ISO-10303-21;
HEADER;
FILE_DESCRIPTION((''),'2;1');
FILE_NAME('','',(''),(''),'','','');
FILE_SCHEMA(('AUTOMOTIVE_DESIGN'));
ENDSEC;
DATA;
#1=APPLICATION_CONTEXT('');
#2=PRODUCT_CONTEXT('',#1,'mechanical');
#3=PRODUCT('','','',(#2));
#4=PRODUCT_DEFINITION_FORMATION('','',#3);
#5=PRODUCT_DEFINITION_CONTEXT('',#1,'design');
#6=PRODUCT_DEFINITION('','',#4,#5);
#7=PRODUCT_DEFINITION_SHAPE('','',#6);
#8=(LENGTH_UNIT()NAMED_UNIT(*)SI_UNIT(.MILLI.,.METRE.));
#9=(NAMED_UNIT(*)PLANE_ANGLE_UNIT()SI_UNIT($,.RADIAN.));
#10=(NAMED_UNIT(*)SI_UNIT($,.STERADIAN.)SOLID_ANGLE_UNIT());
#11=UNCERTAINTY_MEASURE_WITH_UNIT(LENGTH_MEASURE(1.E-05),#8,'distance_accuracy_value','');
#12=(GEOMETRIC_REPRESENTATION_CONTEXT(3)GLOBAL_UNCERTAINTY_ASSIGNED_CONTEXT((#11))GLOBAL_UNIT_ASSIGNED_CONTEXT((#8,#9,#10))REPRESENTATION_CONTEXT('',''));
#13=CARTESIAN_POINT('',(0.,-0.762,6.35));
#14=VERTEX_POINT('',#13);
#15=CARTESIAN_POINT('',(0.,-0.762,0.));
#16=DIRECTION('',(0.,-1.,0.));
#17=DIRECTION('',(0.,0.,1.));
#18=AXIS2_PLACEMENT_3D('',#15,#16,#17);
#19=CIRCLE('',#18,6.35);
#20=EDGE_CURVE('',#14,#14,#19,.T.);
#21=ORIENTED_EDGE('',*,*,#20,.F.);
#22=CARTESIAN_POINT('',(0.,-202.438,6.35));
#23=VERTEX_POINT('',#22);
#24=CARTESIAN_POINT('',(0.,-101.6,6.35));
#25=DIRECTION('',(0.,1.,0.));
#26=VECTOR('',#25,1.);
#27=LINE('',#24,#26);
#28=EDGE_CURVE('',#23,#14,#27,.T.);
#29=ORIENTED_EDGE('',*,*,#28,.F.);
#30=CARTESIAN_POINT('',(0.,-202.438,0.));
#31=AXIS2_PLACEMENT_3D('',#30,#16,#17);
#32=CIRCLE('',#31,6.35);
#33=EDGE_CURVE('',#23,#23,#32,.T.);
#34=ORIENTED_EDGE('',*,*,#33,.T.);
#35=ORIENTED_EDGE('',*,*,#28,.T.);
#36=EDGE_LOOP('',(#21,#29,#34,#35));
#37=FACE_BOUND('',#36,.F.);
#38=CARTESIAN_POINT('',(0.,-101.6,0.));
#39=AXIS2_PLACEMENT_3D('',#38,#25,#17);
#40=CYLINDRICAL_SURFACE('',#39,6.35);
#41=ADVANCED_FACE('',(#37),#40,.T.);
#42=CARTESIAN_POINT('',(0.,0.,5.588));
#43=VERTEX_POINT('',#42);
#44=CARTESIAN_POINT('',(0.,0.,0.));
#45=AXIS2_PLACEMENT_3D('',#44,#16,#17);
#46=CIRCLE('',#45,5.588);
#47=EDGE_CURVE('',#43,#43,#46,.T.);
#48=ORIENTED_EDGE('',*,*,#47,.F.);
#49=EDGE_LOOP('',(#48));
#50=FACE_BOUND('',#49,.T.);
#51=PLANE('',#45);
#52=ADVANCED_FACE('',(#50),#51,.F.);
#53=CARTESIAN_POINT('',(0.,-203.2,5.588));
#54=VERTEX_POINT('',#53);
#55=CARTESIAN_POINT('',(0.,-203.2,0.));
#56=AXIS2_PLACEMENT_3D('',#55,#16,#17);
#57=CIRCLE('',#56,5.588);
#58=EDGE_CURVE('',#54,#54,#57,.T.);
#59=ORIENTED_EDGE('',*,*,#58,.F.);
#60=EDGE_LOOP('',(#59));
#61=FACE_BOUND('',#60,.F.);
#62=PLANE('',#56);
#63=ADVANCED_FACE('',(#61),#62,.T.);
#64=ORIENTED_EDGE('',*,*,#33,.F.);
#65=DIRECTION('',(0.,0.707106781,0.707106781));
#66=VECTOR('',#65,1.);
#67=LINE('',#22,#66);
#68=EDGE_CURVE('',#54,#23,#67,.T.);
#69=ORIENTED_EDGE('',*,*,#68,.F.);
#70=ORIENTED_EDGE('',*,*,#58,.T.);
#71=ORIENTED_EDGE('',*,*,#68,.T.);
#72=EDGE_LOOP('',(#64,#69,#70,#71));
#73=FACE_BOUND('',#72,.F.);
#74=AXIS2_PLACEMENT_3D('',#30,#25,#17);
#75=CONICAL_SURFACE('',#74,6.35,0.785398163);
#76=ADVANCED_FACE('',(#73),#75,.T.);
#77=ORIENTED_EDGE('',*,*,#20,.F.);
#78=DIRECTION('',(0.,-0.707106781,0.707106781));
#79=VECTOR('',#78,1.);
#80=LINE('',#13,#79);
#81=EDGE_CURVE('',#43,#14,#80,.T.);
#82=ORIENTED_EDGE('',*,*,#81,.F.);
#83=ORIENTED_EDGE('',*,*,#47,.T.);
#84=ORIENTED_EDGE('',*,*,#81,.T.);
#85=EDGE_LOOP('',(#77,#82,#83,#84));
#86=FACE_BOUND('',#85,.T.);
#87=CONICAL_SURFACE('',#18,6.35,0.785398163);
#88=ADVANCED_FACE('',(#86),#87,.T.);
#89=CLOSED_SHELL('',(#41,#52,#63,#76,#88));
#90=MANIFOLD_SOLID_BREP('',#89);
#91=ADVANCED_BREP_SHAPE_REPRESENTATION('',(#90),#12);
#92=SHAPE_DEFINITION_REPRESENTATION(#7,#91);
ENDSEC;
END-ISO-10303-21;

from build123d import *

# Parameters (mm, degrees)
F0_W    = 203.2
F0_H    = 6.35
F2_SIZE = 0.762


with BuildPart() as f1:
    # F0 (on Right) → F1 (revolve)
    with BuildSketch(Plane.YZ):
        with Locations((-101.6, 3.175)):
            Rectangle(F0_W, F0_H)
    revolve(axis=Axis((0, -101.6, 0), (0, -1, 0)))

    # F2
    f2_edges = [f1.edges().sort_by_distance(p)[0] for p in [
        (0, -203.2, -6.35),
        (0, 0, -6.35),
    ]]
    chamfer(f2_edges, length=F2_SIZE)


solid = f1.part
